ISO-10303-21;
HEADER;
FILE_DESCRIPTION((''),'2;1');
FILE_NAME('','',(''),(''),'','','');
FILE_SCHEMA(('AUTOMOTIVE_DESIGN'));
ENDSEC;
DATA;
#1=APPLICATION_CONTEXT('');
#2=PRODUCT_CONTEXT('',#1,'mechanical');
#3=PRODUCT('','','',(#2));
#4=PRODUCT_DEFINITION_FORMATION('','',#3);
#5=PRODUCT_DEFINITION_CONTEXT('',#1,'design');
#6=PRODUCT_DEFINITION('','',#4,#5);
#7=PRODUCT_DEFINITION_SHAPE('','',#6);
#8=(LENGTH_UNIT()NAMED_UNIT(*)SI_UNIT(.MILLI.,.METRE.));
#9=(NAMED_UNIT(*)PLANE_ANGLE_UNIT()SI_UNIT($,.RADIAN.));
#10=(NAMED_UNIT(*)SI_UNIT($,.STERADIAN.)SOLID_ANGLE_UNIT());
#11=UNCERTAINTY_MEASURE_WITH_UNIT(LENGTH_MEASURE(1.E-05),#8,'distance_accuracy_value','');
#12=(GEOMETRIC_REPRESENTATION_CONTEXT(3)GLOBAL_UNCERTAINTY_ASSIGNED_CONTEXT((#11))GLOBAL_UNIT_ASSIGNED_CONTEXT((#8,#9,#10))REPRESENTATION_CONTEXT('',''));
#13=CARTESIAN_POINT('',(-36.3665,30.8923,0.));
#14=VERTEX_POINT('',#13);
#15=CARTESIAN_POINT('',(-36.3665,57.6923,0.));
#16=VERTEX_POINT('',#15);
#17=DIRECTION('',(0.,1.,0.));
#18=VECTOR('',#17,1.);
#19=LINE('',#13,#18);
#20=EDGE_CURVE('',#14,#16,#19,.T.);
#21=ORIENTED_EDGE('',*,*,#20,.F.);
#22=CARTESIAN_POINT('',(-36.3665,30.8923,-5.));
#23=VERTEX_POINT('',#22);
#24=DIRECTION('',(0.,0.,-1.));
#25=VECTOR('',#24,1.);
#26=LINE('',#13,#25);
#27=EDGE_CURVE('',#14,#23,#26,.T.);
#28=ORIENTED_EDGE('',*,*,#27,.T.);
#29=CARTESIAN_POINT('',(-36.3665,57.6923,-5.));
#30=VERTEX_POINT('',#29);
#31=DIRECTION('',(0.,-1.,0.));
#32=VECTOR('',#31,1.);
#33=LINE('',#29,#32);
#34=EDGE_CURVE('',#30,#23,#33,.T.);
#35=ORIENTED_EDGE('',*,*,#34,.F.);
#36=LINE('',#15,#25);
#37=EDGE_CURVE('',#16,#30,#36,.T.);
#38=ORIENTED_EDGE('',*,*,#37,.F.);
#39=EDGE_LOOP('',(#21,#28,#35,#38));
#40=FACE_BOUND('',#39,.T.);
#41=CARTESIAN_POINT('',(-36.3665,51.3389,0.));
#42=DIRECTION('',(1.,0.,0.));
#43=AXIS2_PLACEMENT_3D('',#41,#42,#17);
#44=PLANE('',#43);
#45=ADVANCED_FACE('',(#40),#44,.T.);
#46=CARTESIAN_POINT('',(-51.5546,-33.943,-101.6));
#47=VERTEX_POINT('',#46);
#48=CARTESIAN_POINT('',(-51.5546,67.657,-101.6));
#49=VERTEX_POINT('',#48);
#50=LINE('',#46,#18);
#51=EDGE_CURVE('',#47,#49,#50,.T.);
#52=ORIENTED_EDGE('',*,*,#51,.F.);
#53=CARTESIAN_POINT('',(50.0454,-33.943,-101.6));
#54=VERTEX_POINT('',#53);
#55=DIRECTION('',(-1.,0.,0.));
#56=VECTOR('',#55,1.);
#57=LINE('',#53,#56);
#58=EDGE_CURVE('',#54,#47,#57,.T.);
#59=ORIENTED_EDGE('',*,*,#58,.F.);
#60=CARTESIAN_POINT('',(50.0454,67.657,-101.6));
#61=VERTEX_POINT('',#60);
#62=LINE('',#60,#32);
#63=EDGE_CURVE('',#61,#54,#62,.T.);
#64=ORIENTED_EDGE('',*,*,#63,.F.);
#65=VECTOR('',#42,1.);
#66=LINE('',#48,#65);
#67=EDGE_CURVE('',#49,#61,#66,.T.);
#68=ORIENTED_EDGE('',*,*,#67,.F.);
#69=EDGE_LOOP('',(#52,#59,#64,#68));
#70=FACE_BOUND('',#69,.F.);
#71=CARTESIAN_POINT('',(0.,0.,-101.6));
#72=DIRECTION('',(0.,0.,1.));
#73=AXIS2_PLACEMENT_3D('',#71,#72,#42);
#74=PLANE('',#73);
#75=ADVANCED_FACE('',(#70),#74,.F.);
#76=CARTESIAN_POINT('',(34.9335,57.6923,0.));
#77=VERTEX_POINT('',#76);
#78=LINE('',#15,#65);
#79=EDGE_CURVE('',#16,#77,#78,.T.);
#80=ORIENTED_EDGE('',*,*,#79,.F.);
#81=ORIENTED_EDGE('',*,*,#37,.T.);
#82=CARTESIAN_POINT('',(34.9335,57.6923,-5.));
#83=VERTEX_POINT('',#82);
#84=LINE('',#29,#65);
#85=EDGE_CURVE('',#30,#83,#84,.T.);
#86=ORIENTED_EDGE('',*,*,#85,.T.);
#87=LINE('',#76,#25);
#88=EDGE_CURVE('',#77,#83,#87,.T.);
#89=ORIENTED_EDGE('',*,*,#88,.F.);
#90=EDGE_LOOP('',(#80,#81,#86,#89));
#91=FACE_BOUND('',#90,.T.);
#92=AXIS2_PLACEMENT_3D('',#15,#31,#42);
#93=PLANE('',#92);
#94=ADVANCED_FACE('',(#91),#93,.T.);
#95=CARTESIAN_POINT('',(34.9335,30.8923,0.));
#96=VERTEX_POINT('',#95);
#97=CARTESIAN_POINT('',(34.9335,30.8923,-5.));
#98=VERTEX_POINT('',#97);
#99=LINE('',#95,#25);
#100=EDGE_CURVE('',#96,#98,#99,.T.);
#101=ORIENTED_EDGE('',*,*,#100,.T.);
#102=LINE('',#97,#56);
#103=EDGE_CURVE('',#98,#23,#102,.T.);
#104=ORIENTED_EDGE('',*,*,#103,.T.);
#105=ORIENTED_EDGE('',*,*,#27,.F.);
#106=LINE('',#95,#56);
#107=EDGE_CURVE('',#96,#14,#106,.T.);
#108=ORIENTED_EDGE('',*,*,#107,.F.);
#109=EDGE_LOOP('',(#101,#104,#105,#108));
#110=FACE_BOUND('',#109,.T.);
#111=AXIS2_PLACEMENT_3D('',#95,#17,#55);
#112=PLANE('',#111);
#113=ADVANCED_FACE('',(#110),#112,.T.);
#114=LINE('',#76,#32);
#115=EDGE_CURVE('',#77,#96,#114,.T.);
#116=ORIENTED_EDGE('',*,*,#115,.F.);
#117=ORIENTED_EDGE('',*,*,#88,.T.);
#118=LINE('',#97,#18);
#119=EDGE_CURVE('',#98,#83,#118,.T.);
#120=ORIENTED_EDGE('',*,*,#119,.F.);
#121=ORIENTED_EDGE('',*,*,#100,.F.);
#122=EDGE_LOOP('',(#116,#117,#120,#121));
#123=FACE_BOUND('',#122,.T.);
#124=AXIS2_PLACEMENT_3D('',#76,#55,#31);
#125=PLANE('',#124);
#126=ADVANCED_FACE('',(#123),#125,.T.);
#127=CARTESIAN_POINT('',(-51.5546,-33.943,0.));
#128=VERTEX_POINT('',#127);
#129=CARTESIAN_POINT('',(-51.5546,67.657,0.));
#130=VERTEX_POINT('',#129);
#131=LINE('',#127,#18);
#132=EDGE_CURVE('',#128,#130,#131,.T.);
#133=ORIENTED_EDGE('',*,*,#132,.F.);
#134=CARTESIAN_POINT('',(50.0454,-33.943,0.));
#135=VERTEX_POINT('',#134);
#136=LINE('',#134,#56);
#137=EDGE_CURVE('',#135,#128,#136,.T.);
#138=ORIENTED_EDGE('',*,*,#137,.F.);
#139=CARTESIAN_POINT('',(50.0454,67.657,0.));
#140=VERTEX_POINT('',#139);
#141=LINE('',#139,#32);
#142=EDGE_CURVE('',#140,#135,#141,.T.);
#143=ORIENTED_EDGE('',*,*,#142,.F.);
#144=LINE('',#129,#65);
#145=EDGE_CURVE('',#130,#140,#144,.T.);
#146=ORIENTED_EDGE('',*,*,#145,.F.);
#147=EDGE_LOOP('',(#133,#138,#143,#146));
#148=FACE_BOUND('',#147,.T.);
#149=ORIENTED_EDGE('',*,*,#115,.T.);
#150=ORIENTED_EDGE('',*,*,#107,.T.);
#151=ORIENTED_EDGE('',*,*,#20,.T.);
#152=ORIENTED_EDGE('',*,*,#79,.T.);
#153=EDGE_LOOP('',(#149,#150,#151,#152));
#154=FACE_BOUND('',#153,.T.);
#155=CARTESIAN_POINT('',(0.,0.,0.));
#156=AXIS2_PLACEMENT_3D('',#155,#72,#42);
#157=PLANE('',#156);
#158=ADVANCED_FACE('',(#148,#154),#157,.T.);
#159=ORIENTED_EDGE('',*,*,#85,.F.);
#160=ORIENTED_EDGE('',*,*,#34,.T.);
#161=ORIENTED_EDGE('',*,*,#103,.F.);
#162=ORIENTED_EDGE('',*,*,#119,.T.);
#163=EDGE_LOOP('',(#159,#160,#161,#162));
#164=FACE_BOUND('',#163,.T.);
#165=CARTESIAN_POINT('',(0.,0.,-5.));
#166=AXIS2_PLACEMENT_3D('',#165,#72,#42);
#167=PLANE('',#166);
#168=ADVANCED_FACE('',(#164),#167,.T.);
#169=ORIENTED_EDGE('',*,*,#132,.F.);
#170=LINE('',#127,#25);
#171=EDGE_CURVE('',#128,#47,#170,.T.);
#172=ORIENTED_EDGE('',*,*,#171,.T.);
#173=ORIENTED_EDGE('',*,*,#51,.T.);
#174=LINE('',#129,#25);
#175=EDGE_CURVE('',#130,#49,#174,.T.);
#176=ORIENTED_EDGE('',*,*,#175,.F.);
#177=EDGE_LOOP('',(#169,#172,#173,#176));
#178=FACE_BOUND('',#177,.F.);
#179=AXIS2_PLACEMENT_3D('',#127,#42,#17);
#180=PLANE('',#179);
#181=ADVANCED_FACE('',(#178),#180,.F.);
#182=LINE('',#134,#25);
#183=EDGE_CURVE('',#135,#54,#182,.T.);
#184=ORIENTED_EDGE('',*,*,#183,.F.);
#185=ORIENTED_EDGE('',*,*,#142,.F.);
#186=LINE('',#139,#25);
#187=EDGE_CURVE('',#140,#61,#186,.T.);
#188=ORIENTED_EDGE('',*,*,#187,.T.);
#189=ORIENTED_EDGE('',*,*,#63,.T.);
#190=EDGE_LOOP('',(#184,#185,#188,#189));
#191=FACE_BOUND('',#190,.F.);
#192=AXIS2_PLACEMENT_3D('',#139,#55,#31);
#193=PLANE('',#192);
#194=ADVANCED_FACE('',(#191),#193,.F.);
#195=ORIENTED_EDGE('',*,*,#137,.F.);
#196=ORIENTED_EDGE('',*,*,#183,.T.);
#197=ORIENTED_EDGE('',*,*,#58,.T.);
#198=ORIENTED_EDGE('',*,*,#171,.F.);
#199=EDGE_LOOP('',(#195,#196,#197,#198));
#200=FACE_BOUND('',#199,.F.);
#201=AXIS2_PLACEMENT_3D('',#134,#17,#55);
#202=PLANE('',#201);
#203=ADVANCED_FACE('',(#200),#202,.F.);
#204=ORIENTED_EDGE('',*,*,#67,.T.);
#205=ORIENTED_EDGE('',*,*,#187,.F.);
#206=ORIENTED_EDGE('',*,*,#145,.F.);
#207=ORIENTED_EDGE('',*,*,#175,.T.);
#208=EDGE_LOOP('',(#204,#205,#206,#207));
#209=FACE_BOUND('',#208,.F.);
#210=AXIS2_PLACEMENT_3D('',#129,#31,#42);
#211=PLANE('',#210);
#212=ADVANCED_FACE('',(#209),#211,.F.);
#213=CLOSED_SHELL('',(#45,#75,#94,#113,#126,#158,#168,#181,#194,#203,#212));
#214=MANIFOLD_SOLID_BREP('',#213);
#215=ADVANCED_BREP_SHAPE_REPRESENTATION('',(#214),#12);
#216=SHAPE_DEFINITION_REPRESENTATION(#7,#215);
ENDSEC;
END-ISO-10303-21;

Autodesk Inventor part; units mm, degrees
ref_plane "YZ Plane" through (0, 0, 0) normal (1, 0, 0) x (0, 1, 0)
ref_plane "XZ Plane" through (0, 0, 0) normal (0, 1, 0) x (-1, 0, 0)
ref_plane "XY Plane" through (0, 0, 0) normal (0, 0, 1) x (1, 0, 0)
sketch "Sketch1" plane through (0, 0, 0) normal (0, 0, 1) x (1, 0, 0)
  line L0 (-51.5546, 67.657) -> (50.0454, 67.657)
  line L1 (50.0454, 67.657) -> (50.0454, -33.943)
  line L2 (50.0454, -33.943) -> (-51.5546, -33.943)
  line L3 (-51.5546, -33.943) -> (-51.5546, 67.657)
  line L4 (-25.4, 55.5625) -> (15.875, 55.5625)
  line L5 (15.875, 55.5625) -> (15.875, -15.0495)
  line L6 (15.875, -15.0495) -> (-25.4, -15.0495)
  line L7 (-25.4, -15.0495) -> (-25.4, 55.5625)
  line L8 (-21.8726, 53.0629) -> (11.8332, 53.0629)
  line L9 (11.8332, 53.0629) -> (11.8332, 24.8943)
  line L10 (11.8332, 24.8943) -> (-21.8726, 24.8943)
  line L11 (-21.8726, 24.8943) -> (-21.8726, 53.0629)
  line L12 (12.194, -13.9931) -> (-21.5118, -13.9931)
  line L13 (-21.5118, -13.9931) -> (-21.5118, 14.1755)
  line L14 (-21.5118, 14.1755) -> (12.194, 14.1755)
  line L15 (12.194, 14.1755) -> (12.194, -13.9931)
  point P0 (0, 0)
  dimension "d0" = 101.6
  dimension "d2" = 101.6
  dimension "d35" = 41.275
  dimension "d36" = 70.612
  dimension "d37" = 33.7058
  dimension "d38" = 28.1686
  dimension "d39" = 33.7058
  dimension "d40" = 28.1686
extrude "Extrusion1" add sketch "Sketch1" against normal blind 101.6 contours L0 L1 L2 L3 | L4 L5 L6 L7 | L8 L9 L10 L11 | L12 L13 L14 L15
sketch "Sketch2" plane through (0, 0, 0) normal (0, 0, 1) x (1, 0, 0)
  circle A0 centre (-38.7804, 61.0277) radius 1.25
  circle A1 centre (-38.7804, 30.0277) radius 1.25
  circle A2 centre (36.2196, 61.0277) radius 1.25
  circle A3 centre (36.2196, 30.0277) radius 1.25
  line L0 (-36.3665, 57.6923) -> (34.9335, 57.6923)
  line L1 (34.9335, 57.6923) -> (34.9335, 30.8923)
  line L2 (34.9335, 30.8923) -> (-36.3665, 30.8923)
  line L3 (-36.3665, 30.8923) -> (-36.3665, 57.6923)
  line L4 (34.9013, 51.3389) -> (37.4013, 51.3389)
  line L5 (37.4013, 51.3389) -> (37.4013, 37.5389)
  line L6 (37.4013, 37.5389) -> (34.9013, 37.5389)
  line L7 (34.9013, 37.5389) -> (34.9013, 51.3389)
  line L8 (-38.8519, 51.3389) -> (-36.3519, 51.3389)
  line L9 (-36.3519, 51.3389) -> (-36.3519, 37.5389)
  line L10 (-36.3519, 37.5389) -> (-38.8519, 37.5389)
  line L11 (-38.8519, 37.5389) -> (-38.8519, 51.3389)
  point P0 (0, 0)
extrude "Extrusion2" cut sketch "Sketch2" against normal blind 5 contours L0 L1 L4 L7 L6 L2 L3 L10 L9 L8 | L8 L9 L10 L3 | L1 L6 L7 L4
properties part number "open reflow box"
